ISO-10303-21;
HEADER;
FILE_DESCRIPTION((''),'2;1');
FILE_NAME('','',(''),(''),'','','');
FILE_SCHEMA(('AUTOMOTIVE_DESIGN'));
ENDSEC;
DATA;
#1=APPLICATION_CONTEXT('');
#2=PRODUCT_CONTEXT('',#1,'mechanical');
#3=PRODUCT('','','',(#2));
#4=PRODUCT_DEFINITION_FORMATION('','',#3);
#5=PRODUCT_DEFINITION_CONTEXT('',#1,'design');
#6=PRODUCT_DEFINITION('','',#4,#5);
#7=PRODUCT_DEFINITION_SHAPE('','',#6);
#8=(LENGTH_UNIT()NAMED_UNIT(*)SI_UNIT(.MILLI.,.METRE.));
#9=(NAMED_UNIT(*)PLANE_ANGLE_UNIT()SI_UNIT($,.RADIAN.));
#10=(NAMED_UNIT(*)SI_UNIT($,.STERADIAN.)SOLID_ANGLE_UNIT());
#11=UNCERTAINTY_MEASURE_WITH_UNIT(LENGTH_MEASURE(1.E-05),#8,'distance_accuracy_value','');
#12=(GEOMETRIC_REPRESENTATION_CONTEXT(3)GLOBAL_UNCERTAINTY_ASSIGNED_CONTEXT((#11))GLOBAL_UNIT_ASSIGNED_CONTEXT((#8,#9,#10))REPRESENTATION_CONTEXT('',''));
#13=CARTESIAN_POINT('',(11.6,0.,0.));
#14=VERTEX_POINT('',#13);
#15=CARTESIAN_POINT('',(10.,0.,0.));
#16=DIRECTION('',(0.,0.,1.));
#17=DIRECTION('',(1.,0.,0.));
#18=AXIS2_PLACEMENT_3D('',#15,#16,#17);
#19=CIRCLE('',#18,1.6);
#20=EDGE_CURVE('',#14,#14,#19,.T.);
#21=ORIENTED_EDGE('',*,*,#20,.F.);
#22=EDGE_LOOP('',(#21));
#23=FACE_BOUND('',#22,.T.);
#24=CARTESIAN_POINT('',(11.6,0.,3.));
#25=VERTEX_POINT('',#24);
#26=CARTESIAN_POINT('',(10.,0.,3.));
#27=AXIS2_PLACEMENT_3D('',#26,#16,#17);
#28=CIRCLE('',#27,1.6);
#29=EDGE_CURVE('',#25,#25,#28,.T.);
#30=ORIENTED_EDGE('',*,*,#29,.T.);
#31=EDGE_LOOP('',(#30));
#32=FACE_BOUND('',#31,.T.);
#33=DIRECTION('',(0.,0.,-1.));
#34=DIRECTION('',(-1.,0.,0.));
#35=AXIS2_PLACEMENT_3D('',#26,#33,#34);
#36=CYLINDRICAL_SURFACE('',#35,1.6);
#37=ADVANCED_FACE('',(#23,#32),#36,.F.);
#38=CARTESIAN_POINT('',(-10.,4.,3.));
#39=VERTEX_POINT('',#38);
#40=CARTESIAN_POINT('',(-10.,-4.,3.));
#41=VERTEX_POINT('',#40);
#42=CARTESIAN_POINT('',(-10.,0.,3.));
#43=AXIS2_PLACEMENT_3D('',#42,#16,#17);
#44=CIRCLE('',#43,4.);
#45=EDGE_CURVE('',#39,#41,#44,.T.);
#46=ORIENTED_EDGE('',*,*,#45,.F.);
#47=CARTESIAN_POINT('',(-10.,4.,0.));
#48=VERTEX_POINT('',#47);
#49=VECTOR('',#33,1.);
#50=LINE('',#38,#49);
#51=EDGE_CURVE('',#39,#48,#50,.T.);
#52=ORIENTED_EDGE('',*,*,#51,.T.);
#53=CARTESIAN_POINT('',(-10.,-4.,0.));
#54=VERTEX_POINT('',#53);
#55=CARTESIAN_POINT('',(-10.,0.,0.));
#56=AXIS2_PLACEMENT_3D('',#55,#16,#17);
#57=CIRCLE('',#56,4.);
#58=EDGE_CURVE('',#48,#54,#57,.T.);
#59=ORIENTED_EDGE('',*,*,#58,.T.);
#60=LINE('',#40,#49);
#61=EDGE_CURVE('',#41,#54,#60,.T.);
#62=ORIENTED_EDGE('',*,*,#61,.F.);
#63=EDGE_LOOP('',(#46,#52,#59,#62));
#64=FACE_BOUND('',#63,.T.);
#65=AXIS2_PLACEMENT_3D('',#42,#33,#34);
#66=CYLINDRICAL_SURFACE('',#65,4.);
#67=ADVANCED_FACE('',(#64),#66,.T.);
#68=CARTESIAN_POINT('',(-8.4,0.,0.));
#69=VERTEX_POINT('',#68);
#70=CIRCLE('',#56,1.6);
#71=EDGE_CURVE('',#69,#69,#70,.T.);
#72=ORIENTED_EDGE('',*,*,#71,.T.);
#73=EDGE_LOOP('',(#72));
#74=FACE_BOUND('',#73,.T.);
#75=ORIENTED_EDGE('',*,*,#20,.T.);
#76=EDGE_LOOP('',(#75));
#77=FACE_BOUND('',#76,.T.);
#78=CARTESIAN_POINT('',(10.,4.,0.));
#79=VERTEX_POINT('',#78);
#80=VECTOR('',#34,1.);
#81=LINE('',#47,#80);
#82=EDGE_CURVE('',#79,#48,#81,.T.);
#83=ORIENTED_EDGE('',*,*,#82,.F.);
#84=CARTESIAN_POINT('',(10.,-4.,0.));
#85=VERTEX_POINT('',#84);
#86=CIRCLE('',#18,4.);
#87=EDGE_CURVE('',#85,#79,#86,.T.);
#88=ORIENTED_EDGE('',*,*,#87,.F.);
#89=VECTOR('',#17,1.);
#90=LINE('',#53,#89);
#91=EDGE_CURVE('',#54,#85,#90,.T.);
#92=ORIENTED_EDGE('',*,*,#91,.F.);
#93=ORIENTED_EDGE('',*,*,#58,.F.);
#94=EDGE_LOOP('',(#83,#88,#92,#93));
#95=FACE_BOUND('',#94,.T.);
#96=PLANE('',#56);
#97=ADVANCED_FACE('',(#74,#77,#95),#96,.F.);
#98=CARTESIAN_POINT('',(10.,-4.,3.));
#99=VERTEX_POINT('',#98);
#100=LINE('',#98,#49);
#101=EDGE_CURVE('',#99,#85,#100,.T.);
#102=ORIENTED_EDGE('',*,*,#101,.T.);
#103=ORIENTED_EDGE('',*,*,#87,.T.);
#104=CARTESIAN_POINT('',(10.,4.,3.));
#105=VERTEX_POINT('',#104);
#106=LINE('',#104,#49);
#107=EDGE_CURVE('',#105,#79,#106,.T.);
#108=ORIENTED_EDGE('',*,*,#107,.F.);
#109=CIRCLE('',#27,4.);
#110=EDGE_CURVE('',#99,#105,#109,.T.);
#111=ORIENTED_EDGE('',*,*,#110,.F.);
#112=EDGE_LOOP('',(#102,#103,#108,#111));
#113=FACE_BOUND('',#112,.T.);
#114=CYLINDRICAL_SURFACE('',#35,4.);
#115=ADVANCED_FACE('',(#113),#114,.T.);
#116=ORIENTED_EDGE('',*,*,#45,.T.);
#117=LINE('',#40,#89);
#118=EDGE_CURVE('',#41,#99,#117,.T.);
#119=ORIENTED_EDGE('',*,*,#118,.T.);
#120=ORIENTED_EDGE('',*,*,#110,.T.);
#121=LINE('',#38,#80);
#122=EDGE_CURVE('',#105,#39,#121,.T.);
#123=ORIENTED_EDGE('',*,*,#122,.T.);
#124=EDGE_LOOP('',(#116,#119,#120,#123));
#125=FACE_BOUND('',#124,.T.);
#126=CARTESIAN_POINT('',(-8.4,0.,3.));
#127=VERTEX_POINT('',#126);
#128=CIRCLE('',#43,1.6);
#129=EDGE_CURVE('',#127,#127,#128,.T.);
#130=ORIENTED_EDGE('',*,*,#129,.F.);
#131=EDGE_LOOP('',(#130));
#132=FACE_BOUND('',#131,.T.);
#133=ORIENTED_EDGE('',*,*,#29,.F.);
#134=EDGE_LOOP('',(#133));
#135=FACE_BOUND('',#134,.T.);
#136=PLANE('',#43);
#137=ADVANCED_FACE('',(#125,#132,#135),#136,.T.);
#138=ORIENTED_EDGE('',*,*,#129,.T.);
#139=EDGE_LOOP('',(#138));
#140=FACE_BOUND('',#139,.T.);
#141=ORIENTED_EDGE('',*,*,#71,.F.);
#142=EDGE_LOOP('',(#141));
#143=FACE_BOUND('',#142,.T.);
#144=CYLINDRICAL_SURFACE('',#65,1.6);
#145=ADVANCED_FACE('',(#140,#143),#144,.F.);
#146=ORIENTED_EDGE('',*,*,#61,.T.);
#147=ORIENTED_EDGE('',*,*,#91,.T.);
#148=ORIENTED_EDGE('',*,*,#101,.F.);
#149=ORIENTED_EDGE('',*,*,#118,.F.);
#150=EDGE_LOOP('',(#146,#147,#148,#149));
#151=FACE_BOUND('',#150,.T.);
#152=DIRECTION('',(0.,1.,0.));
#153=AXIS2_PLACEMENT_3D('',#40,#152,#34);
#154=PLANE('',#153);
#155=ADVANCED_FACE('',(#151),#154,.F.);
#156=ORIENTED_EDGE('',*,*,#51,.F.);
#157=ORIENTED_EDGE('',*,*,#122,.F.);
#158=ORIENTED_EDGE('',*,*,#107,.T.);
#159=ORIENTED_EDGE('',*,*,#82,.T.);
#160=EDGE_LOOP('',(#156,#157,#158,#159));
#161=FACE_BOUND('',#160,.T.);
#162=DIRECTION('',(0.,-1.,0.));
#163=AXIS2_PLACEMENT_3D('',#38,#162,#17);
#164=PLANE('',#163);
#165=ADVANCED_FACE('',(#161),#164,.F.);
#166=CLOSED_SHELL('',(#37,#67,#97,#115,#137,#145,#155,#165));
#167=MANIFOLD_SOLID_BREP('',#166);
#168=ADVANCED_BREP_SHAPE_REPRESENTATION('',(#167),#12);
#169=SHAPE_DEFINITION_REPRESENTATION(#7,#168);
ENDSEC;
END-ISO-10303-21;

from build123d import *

# Parameters (mm, degrees)
SKETCH1_R           = 1.6
BOSS_EXTRUDE1_DEPTH = 3


with BuildPart() as part:
    # Sketch1 → Boss-Extrude1 (new body)
    with BuildSketch(Plane.XY):
        with BuildLine():
            Line((-10, 4), (10, 4))
            ThreePointArc((10, 4), (14, 0), (10, -4))
            Line((10, -4), (-10, -4))
            ThreePointArc((-10, -4), (-14, 0), (-10, 4))
        make_face()
        with Locations((-10, 0)):
            Circle(SKETCH1_R, mode=Mode.SUBTRACT)
        with Locations((10, 0)):
            Circle(SKETCH1_R, mode=Mode.SUBTRACT)
    extrude(amount=BOSS_EXTRUDE1_DEPTH)


solid = part.part
